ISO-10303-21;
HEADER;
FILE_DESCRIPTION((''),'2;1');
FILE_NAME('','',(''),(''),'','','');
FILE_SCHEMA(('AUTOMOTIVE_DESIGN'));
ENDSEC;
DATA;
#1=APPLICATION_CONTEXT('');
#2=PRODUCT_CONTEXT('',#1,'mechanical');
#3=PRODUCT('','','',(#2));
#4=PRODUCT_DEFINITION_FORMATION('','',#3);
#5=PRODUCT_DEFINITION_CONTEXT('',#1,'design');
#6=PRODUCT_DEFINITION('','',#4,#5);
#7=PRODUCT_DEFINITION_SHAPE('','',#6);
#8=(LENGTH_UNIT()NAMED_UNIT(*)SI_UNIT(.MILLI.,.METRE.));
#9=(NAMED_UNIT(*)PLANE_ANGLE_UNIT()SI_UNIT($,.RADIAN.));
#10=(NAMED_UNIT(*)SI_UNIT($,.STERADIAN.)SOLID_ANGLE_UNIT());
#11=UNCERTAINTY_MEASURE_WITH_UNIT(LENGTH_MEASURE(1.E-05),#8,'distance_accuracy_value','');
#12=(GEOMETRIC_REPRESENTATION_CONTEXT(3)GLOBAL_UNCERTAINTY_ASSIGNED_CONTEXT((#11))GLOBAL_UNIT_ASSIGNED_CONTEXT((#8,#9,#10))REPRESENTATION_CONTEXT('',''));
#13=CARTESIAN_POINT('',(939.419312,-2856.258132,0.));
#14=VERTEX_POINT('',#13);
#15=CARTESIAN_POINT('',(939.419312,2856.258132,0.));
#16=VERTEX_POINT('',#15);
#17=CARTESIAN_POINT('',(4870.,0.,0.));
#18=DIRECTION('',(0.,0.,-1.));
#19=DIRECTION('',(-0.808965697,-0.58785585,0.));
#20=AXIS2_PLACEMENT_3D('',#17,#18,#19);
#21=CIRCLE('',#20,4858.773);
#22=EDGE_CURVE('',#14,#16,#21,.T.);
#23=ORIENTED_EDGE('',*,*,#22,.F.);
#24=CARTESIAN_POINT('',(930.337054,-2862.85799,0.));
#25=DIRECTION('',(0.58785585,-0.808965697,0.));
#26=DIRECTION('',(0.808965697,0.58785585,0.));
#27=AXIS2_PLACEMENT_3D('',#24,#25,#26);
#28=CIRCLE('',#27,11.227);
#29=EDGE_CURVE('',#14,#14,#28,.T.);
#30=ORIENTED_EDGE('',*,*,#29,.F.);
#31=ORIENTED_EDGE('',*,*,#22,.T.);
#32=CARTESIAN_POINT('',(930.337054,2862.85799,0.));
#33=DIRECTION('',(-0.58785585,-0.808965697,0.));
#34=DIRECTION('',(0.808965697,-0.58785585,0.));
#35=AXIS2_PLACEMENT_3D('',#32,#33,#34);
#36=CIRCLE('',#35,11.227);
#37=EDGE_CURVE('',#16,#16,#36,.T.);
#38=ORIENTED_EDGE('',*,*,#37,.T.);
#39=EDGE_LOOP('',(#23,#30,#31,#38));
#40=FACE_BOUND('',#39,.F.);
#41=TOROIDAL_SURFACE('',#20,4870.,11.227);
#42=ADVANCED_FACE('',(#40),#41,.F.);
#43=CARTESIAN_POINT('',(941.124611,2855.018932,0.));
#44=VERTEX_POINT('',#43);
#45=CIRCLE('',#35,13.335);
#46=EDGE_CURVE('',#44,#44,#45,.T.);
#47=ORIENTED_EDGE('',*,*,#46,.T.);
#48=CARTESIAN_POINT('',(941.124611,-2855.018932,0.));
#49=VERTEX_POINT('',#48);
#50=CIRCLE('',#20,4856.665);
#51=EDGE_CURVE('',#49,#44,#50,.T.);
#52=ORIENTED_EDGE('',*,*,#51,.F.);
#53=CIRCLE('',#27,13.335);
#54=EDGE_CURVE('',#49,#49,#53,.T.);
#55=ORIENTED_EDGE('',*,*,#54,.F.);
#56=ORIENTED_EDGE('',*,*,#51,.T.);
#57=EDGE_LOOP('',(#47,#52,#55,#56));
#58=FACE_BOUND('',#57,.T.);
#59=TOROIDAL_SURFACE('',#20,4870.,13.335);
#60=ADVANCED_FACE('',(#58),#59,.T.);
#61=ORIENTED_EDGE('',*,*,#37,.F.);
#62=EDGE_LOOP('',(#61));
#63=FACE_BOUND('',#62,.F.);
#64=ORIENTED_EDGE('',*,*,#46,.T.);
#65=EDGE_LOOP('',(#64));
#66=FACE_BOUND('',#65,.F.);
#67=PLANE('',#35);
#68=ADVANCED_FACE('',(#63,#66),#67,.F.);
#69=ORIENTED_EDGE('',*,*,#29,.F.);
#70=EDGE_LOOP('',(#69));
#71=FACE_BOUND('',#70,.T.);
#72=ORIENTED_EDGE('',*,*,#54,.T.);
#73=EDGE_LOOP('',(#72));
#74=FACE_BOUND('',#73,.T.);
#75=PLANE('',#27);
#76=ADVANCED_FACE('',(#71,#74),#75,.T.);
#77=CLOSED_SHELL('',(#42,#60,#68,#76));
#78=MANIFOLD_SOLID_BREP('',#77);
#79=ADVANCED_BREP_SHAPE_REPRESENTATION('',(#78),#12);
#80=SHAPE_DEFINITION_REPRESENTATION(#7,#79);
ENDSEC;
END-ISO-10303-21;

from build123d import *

# Parameters (mm, degrees)
F0_R          = 13.335
F0_R_2        = 11.227
F1_ANGLE_BACK = 36.005
F1_ANGLE      = 72.01


with BuildPart() as f1:
    # F0 (on Front) → F1 (revolve)
    with BuildSketch(Plane.XZ, mode=Mode.PRIVATE) as f1_sk:
        Circle(F0_R)
        Circle(F0_R_2, mode=Mode.SUBTRACT)
    revolve(f1_sk.sketch.rotate(Axis((4870, 0, -50), (0, 0, -1)), -F1_ANGLE_BACK), axis=Axis((4870, 0, -50), (0, 0, -1)), revolution_arc=F1_ANGLE)


solid = f1.part
